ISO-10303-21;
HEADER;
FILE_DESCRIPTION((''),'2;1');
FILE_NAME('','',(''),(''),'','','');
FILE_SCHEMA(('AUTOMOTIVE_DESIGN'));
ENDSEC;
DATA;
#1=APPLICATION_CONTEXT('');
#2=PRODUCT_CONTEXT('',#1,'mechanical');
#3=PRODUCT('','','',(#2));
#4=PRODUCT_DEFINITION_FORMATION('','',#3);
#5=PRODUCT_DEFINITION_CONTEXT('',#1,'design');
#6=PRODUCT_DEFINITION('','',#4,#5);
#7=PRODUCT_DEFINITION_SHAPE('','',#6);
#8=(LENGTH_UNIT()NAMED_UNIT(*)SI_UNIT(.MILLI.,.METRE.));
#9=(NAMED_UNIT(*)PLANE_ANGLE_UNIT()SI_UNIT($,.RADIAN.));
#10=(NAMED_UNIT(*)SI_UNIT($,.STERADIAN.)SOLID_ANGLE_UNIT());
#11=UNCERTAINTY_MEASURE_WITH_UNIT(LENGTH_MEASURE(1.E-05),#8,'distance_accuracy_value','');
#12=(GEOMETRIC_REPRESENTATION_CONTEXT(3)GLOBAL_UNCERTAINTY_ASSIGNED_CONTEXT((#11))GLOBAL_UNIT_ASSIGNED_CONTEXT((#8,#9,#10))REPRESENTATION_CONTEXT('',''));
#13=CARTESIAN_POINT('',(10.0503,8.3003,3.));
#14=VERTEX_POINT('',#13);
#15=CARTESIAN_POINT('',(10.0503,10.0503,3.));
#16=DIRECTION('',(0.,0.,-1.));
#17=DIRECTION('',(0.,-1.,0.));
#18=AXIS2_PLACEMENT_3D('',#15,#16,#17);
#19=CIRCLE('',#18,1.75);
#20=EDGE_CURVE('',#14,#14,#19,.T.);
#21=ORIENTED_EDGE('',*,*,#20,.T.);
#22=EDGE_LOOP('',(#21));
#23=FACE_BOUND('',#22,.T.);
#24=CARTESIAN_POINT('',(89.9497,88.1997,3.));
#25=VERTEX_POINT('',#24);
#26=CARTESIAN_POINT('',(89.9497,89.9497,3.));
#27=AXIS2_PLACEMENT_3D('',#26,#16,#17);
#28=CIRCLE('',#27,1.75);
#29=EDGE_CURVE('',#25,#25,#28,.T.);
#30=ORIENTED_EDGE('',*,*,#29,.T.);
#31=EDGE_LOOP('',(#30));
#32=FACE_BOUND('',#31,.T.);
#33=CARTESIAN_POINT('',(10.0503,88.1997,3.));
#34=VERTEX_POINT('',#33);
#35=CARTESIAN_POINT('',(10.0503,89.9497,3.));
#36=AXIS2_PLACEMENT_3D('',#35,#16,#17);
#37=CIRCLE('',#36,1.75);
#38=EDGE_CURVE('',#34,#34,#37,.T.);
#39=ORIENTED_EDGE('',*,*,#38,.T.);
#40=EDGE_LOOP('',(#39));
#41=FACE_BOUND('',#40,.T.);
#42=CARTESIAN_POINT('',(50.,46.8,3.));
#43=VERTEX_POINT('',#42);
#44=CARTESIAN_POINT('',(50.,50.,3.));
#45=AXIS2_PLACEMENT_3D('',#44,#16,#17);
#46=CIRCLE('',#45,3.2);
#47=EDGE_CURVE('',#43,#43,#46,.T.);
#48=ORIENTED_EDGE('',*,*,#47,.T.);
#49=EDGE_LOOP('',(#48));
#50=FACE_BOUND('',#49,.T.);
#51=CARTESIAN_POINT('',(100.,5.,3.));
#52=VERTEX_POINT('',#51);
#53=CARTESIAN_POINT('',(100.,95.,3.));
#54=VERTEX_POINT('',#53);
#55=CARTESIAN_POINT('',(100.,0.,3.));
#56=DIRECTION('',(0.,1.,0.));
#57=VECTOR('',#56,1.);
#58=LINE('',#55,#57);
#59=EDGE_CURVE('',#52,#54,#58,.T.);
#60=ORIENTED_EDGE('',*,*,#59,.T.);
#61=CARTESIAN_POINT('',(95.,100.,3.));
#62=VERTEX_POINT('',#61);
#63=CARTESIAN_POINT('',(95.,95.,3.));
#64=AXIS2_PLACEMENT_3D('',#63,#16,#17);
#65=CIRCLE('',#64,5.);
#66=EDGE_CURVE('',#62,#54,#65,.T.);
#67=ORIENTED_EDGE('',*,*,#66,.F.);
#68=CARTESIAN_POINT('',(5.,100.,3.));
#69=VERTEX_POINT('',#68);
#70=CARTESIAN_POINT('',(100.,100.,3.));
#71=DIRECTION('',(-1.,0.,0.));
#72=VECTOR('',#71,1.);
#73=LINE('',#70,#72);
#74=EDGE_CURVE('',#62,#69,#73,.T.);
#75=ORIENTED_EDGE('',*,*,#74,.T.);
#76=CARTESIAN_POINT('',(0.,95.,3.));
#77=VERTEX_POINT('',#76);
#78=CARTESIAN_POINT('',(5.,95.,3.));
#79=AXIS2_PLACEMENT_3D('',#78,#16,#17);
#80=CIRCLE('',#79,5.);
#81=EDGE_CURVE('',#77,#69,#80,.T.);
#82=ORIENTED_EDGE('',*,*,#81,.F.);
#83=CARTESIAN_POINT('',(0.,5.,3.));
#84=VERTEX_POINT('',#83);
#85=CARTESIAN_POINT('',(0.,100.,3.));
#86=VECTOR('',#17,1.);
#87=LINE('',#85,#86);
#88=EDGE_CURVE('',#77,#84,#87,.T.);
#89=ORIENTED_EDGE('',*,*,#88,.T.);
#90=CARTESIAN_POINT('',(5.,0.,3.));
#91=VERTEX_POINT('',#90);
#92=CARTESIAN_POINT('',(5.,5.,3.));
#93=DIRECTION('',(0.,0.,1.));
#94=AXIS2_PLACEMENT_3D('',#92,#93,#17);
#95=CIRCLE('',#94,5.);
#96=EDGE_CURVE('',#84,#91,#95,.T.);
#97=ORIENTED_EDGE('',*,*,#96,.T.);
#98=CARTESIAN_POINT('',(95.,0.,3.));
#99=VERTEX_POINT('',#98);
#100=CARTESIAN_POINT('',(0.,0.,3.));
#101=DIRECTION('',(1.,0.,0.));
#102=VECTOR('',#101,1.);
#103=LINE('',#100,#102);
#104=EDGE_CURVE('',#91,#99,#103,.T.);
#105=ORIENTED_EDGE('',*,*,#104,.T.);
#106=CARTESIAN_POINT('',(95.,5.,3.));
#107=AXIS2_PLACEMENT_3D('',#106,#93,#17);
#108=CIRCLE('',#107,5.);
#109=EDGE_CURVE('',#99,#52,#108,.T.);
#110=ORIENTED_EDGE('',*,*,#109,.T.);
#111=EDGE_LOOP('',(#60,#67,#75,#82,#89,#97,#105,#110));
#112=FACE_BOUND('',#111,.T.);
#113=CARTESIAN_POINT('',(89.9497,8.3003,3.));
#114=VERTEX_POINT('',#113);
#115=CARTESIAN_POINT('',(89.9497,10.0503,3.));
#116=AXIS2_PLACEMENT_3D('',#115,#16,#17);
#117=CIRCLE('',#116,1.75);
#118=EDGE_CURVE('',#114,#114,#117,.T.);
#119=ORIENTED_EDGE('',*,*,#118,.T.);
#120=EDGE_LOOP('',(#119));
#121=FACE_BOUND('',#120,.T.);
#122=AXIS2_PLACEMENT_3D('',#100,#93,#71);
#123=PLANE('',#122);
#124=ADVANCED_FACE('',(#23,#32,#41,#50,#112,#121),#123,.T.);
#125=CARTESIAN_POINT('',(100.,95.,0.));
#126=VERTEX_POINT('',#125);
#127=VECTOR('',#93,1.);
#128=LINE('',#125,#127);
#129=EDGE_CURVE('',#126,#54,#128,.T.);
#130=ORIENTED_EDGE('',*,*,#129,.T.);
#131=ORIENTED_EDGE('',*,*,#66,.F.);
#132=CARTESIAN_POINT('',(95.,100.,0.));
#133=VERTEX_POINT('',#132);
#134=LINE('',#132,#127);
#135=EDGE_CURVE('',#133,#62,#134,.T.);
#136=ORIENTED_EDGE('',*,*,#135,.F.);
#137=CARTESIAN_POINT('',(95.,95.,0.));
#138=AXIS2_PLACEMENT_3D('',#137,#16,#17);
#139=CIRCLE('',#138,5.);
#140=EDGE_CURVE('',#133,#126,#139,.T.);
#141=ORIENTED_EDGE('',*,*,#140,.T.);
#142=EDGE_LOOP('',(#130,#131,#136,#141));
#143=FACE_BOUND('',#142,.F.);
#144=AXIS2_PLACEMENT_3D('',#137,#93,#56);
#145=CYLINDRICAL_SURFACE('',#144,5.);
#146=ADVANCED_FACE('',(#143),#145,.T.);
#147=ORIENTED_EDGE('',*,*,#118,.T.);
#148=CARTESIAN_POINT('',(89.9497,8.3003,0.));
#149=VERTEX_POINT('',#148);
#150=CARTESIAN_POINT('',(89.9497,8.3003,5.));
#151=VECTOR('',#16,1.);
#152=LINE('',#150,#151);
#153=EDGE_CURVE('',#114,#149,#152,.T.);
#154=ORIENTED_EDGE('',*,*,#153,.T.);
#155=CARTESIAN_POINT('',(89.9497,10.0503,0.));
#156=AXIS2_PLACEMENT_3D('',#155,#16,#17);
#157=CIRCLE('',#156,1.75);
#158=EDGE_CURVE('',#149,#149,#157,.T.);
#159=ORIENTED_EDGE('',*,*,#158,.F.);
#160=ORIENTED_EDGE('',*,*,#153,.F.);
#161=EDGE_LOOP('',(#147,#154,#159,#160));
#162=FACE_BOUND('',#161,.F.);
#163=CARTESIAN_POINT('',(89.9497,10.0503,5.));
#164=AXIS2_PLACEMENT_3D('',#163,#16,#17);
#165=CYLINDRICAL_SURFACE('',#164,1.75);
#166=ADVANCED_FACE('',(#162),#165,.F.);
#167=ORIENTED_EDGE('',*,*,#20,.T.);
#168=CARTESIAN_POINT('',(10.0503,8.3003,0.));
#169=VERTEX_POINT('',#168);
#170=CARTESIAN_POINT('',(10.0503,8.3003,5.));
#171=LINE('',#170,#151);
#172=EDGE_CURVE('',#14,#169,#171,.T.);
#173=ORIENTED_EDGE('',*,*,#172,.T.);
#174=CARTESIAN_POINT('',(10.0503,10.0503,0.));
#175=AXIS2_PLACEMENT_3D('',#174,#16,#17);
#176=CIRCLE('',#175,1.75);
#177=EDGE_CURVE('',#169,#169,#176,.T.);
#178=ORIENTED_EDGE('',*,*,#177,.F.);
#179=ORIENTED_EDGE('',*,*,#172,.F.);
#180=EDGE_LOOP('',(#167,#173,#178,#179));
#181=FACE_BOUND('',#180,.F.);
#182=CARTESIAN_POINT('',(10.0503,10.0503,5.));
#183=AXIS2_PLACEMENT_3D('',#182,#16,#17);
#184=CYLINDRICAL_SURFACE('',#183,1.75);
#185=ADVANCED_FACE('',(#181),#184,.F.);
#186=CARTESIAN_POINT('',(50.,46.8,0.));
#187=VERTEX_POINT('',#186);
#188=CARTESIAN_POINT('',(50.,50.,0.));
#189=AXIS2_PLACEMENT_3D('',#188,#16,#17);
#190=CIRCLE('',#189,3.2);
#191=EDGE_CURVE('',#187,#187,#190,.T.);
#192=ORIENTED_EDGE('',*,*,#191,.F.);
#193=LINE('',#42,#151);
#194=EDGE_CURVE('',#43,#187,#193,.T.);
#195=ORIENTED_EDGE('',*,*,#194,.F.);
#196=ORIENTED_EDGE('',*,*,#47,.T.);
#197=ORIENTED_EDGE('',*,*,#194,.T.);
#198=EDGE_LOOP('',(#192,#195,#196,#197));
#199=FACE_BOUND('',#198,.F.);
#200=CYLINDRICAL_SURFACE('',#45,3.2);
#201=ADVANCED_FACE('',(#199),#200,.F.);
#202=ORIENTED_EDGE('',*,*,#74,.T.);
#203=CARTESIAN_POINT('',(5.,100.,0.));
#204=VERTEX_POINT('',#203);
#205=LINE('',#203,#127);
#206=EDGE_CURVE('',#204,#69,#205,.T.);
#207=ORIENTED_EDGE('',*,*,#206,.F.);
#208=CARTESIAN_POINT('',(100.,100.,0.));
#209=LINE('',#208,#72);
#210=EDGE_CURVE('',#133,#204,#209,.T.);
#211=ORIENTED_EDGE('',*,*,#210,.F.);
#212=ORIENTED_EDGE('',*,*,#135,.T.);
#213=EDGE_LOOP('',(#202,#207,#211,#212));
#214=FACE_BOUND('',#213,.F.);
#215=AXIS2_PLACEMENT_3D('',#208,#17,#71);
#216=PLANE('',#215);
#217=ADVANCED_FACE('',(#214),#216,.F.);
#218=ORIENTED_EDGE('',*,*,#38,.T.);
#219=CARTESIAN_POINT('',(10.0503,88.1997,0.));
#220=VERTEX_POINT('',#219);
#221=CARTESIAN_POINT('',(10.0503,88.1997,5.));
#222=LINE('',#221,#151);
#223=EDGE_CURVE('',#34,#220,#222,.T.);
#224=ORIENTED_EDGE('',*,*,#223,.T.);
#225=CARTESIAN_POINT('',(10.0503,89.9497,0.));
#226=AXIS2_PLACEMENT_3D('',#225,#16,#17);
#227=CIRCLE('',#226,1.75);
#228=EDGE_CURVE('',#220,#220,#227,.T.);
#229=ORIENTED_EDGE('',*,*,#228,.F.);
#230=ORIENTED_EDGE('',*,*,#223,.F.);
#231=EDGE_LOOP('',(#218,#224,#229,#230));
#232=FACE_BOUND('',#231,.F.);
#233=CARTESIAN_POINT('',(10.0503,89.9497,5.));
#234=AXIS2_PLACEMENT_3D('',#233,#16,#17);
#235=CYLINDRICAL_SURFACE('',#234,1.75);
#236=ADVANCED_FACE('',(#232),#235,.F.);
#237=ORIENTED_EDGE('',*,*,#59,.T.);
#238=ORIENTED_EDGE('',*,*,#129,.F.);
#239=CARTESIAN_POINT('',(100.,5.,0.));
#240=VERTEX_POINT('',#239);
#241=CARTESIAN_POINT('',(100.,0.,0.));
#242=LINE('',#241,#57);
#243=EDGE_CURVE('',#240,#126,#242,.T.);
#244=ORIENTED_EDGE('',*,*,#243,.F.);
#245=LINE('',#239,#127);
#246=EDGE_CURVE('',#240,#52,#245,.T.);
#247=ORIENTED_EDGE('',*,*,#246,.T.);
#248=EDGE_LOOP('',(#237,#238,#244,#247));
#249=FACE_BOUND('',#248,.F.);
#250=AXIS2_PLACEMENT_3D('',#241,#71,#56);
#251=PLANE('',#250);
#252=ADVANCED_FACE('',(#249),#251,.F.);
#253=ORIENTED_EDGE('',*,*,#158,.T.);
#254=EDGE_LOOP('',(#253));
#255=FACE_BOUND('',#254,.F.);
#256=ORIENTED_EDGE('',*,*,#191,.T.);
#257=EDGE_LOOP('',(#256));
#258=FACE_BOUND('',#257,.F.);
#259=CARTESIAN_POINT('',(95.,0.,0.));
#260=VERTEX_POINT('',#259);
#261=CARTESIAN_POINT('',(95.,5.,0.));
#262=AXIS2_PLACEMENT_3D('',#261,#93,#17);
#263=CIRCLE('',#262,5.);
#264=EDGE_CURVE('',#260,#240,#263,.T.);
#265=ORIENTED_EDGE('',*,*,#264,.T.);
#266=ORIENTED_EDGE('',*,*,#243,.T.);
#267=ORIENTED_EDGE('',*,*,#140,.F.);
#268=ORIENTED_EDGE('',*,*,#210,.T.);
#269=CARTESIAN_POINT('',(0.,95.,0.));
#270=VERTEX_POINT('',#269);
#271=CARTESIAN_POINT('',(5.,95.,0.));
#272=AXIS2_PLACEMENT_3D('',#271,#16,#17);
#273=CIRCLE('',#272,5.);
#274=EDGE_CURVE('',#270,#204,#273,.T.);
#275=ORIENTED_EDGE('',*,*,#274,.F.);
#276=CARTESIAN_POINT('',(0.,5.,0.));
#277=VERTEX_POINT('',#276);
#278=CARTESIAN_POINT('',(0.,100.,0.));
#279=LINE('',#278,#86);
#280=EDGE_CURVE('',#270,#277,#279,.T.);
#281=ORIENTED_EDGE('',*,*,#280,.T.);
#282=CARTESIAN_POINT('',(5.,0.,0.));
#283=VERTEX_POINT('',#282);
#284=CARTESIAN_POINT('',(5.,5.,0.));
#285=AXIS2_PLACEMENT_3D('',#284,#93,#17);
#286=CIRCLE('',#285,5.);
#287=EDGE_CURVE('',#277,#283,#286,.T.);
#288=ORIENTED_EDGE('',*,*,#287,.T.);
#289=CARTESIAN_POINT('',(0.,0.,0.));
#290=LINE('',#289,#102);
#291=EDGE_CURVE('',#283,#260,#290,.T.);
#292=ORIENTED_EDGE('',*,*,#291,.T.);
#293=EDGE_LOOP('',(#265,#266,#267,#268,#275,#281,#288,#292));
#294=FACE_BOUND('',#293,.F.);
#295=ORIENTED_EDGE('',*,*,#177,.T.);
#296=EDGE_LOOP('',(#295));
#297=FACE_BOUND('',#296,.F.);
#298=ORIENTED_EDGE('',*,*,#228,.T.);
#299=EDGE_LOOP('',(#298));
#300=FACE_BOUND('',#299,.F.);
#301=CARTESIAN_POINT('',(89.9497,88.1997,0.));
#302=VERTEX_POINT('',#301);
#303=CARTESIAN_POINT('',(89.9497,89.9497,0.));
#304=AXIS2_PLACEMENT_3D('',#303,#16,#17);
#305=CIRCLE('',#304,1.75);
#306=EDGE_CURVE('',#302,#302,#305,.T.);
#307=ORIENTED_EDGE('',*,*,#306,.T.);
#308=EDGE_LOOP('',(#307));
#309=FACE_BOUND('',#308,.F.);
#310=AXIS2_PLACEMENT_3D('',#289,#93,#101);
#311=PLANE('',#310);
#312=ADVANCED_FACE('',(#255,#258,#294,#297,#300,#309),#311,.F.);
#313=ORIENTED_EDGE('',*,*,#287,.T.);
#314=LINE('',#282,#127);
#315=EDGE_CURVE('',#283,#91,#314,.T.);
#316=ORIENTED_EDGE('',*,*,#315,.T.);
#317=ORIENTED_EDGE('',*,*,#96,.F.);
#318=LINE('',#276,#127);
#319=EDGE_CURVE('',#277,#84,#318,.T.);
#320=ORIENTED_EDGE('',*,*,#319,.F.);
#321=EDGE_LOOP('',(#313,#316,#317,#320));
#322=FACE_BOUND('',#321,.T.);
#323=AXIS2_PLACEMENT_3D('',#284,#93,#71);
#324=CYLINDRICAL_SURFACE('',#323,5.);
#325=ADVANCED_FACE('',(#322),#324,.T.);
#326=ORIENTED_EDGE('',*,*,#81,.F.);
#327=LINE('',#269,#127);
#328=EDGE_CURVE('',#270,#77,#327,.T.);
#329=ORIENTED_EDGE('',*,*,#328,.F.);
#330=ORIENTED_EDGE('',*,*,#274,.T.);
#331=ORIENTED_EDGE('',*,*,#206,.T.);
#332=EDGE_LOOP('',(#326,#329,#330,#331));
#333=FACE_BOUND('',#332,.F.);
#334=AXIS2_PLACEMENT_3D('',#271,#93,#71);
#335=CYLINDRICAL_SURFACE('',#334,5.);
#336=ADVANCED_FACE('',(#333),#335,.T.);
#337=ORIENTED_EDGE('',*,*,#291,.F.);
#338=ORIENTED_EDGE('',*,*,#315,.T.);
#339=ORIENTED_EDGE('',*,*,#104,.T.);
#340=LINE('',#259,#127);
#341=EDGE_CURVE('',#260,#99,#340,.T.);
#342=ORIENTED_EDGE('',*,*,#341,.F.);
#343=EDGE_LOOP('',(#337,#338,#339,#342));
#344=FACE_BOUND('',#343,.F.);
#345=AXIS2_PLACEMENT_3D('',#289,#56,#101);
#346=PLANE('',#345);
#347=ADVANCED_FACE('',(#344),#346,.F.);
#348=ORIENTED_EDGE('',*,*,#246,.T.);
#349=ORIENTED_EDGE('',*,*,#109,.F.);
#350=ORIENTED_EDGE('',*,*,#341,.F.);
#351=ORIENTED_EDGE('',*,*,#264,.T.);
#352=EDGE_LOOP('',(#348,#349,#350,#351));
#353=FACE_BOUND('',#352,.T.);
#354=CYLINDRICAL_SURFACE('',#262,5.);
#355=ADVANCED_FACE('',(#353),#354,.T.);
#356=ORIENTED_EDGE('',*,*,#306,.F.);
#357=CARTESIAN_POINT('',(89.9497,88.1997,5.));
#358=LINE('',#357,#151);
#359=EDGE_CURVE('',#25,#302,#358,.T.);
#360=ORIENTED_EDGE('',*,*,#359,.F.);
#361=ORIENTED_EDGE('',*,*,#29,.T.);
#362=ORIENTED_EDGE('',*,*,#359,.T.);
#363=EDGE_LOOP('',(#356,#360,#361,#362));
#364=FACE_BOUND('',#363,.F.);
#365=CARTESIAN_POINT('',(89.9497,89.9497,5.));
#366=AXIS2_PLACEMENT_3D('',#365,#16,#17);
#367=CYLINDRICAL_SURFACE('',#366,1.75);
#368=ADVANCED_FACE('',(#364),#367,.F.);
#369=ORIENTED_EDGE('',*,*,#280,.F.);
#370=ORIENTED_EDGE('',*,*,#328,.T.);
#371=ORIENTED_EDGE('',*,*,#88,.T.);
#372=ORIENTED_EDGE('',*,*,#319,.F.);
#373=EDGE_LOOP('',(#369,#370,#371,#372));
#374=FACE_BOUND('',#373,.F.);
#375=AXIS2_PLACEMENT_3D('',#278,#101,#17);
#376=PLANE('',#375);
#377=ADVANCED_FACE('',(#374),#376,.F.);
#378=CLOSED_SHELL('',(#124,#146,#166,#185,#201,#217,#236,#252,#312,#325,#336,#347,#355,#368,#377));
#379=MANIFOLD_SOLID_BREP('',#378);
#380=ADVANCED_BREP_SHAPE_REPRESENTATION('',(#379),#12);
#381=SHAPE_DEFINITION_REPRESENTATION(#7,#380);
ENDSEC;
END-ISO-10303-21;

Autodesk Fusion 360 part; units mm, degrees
sketch "Sketch1" plane through (0, 0, 0) normal (0, 0, 1) x (1, 0, 0)
  line L0 (0, 0) -> (100, 0)
  line L1 (100, 0) -> (100, 100)
  line L2 (100, 100) -> (0, 100)
  line L3 (0, 100) -> (0, 0)
  dimension "d1" = 100
  dimension "d2" = 100
extrude "Extrude1" add sketch "Sketch1" along normal blind 5
sketch "Sketch2" plane through (0, 0, 5) normal (0, 0, 1) x (-1, 0, 0)
  line L0 (0, -100) -> (0, 0)
  line L1 (0, 0) -> (-100, 0)
  line L2 (-100, 0) -> (-100, -100)
  line L3 (-100, -100) -> (0, -100)
  line L4 (-15, -15) -> (-85, -15)
  line L5 (-85, -15) -> (-85, -85)
  line L6 (-85, -85) -> (-15, -85)
  line L7 (-15, -85) -> (-15, -15)
  line L8 (-15, -85) -> (-10.0503, -89.9497)
  line L9 (-15, -85) -> (-8, -85) construction
  line L10 (-85, -85) -> (-89.9497, -89.9497)
  line L11 (-85, -85) -> (-78, -85) construction
  line L12 (-15, -15) -> (-10.0503, -10.0503)
  line L13 (-15, -15) -> (-8, -15) construction
  line L14 (-85, -15) -> (-89.9497, -10.0503)
  line L15 (-85, -15) -> (-78, -15) construction
  dimension "d5" = 45
  dimension "d6" = 7
  dimension "d7" = 135
  dimension "d8" = 7
  dimension "d9" = 7
  dimension "d10" = 45
  dimension "d11" = 135
  dimension "d12" = 7
extrude "Extrude2" cut sketch "Sketch2" against normal blind 2 contours L0 L1 L2 L3 | L4 L5 L6 L7
hole "Hole1" at (89.9497, 89.9497, 5) direction (0, 0, -1) diameter 3 depth 67 tip angle 118
hole "Hole2" at (10.0503, 89.9497, 5) direction (0, 0, -1) diameter 3 depth 4.7 tip angle 118
hole "Hole3" at (10.0503, 10.0503, 5) at (89.9497, 10.0503, 5) direction (0, 0, -1) diameter 3 depth 4.7 tip angle 118
hole "Hole4" at (50, 50, 3) direction (0, 0, -1) diameter 6.4 depth 5 tip angle 180
hole "Hole5" at (10.0503, 89.9497, 3) direction (0, 0, -1) diameter 3 depth 5 tip angle 180
hole "Hole6" at (10.0503, 10.0503, 3) direction (0, 0, -1) diameter 3 depth 5 tip angle 180
hole "Hole7" at (89.9497, 10.0503, 3) direction (0, 0, -1) diameter 3 depth 5 tip angle 180
fillet "Fillet1" radius 5 4 edges at (0, 0, 1.5) (100, 0, 1.5) (100, 100, 1.5) (0, 100, 1.5)
hole "Hole8" at (10.0503, 89.9497, 5) at (89.9497, 89.9497, 5) at (10.0503, 10.0503, 5) at (89.9497, 10.0503, 5) direction (0, 0, -1) diameter 3.5 depth 100 tip angle 180
